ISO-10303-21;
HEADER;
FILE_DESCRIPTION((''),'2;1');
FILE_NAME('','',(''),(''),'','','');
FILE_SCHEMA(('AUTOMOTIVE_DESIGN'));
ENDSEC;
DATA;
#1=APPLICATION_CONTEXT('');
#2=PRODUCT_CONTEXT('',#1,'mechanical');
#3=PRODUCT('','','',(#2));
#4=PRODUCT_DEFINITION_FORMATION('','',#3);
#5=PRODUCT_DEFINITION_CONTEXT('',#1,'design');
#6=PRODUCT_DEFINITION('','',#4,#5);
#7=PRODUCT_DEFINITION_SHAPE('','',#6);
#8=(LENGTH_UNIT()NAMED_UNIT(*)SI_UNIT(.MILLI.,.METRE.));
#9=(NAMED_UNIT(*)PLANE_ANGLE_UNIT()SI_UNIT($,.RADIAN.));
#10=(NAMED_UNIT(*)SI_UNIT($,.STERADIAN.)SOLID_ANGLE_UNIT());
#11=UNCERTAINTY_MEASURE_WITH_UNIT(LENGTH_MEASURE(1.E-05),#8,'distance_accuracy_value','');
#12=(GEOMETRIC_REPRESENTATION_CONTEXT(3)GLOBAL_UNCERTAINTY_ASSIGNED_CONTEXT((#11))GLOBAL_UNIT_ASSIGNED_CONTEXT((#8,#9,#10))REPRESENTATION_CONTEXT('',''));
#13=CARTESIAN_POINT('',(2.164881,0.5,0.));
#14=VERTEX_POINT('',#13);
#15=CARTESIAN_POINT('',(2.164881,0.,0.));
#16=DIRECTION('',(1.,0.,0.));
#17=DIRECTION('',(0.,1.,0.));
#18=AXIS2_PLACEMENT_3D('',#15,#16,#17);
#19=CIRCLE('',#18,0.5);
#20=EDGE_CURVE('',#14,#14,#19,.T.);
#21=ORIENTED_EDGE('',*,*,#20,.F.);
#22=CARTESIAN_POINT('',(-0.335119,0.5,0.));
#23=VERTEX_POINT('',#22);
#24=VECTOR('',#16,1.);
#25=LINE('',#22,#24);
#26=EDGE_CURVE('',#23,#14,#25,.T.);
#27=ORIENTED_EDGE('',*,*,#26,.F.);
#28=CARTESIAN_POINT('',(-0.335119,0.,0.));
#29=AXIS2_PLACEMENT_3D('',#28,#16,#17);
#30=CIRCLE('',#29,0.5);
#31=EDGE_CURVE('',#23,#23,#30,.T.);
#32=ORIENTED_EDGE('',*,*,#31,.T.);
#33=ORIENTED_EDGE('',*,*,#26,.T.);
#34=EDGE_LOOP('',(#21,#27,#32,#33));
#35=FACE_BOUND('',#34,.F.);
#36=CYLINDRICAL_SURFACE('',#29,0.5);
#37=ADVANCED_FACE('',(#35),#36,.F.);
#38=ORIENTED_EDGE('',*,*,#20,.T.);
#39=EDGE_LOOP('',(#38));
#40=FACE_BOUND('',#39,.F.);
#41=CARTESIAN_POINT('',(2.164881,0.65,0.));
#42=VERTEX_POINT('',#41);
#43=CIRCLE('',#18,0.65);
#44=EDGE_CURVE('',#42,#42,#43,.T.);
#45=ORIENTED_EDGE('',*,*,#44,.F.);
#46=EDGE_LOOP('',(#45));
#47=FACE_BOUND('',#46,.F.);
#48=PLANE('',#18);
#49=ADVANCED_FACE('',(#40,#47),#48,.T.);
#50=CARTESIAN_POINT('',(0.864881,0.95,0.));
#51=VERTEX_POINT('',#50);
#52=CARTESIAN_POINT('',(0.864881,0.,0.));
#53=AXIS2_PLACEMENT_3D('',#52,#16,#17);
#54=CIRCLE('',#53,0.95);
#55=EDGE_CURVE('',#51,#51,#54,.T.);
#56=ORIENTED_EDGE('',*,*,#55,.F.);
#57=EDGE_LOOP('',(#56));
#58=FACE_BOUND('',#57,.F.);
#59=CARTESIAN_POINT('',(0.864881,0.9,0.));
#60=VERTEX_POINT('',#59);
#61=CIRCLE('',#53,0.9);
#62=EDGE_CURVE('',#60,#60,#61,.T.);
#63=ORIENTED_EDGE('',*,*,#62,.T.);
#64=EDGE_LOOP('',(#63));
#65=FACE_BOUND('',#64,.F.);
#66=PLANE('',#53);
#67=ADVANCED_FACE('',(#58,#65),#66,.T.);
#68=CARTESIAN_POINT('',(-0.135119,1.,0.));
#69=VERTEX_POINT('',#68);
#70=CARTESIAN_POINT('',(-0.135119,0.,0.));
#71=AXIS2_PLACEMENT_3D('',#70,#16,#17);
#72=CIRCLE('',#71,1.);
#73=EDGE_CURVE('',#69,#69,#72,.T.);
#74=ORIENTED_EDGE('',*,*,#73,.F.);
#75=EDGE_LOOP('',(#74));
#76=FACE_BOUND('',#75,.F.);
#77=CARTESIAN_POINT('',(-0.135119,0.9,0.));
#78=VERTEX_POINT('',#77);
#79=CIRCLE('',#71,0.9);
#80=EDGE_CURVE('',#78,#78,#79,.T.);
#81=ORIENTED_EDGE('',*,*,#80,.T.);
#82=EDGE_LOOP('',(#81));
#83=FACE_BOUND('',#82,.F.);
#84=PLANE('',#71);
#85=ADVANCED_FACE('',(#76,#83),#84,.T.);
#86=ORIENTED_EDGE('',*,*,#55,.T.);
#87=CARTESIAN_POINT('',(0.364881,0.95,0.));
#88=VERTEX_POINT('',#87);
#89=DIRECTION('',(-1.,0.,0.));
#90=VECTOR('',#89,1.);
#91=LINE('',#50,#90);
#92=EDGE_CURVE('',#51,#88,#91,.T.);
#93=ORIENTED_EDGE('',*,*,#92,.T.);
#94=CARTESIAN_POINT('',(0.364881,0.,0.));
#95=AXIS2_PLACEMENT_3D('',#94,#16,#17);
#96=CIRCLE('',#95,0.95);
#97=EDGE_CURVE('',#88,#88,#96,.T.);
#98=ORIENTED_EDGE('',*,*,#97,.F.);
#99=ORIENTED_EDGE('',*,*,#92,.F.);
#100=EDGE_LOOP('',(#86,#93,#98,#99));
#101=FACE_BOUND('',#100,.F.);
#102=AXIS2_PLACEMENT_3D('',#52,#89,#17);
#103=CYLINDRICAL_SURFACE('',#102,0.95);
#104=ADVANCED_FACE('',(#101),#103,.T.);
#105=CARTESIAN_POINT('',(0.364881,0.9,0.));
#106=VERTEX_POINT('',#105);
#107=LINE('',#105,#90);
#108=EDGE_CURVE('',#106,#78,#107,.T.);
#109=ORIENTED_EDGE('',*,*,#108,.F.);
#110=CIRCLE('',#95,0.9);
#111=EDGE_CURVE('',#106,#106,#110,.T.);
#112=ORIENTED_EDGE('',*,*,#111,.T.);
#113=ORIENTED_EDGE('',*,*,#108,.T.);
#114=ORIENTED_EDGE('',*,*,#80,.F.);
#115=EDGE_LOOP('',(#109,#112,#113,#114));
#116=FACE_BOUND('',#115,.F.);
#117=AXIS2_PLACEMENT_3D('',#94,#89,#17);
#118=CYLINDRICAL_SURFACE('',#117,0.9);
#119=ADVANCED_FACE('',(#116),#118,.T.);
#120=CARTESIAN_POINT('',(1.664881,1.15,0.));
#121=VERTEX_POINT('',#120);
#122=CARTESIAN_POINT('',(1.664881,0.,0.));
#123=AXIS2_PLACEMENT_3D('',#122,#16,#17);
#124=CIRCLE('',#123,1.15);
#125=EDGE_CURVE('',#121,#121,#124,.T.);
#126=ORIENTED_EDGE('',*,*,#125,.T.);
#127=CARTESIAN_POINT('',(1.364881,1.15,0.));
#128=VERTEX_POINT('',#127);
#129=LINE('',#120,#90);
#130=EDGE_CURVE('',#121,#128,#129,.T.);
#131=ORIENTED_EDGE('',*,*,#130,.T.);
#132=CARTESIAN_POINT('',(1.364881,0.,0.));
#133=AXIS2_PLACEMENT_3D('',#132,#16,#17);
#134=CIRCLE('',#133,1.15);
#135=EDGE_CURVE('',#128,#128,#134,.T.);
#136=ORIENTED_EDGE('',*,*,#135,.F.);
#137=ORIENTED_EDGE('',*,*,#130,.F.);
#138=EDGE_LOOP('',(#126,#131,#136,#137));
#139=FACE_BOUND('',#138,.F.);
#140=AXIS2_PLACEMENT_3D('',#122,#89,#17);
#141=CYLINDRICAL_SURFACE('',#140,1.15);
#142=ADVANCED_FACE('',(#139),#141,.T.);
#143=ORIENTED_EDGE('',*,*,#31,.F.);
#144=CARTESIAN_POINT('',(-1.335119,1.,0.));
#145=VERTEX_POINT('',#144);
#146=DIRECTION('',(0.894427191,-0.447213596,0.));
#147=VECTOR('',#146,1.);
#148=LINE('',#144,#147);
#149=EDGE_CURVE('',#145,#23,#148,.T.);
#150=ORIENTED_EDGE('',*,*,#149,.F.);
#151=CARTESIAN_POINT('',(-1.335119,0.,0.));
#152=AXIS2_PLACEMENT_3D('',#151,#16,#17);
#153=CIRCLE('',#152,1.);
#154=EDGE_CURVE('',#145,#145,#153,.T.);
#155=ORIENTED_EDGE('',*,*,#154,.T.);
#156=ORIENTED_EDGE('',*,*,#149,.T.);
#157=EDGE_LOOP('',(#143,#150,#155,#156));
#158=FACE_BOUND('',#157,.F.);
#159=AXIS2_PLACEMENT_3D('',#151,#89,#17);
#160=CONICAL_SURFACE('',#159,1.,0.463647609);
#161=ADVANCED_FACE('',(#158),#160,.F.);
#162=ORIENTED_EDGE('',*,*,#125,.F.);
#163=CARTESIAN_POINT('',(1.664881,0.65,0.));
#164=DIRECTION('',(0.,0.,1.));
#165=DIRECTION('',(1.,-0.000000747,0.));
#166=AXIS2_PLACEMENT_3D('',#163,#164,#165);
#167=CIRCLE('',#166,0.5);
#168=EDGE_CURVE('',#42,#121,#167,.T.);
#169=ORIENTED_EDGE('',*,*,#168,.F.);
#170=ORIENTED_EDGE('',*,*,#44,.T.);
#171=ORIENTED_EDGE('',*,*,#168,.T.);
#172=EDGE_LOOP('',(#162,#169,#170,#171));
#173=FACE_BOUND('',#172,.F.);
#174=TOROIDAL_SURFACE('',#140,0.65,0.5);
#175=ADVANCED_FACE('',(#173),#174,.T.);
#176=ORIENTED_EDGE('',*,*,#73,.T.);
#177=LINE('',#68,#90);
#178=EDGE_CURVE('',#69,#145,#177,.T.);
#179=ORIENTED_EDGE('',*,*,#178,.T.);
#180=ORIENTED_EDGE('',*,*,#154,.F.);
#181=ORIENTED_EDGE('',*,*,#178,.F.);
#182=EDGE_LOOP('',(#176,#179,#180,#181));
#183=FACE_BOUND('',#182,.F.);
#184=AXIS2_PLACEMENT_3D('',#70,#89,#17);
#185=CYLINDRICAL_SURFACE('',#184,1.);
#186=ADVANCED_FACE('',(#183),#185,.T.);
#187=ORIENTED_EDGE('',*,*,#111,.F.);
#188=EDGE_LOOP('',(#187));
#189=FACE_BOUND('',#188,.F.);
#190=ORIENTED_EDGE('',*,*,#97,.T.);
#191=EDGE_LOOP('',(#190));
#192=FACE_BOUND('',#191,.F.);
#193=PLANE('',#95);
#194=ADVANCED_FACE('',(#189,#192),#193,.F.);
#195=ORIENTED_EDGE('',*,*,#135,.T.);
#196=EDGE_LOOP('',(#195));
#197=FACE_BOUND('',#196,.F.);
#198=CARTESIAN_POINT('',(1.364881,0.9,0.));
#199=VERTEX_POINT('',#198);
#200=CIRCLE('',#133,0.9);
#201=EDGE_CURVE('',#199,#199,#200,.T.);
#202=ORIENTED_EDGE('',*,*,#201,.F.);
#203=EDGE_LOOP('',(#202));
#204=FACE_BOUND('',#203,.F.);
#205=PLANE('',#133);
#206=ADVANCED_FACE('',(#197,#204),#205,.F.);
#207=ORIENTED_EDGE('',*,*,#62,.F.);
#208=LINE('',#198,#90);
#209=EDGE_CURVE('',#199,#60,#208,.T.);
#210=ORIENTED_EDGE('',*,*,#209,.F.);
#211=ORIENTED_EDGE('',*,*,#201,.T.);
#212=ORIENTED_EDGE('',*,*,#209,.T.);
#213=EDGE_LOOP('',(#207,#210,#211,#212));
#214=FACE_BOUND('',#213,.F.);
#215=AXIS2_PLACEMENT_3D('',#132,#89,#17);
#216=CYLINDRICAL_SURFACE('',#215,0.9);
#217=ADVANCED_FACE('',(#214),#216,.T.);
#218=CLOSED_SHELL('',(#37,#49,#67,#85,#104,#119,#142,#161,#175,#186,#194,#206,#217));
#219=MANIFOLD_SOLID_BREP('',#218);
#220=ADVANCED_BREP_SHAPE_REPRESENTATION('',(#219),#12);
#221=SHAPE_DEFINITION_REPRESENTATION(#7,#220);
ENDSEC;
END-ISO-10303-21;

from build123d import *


with BuildPart() as f1:
    # F0 (on Top) → F1 (revolve)
    with BuildSketch(Plane.XY):
        with BuildLine():
            Line((-0.135119, 1), (-1.335119, 1))
            Line((-1.335119, 1), (-0.335119, 0.5))
            Line((-0.335119, 0.5), (2.164881, 0.5))
            Line((2.164881, 0.5), (2.164881, 0.65))
            ThreePointArc((2.164881, 0.65), (2.018435, 1.003553), (1.664881, 1.15))
            Line((1.664881, 1.15), (1.364881, 1.15))
            Line((1.364881, 1.15), (1.364881, 0.9))
            Line((1.364881, 0.9), (0.864881, 0.9))
            Line((0.864881, 0.9), (0.864881, 0.95))
            Line((0.864881, 0.95), (0.364881, 0.95))
            Line((0.364881, 0.95), (0.364881, 0.9))
            Line((0.364881, 0.9), (-0.135119, 0.9))
            Line((-0.135119, 0.9), (-0.135119, 1))
        make_face()
    revolve(axis=Axis((0.115357, 0, 0), (1, 0, 0)))


solid = f1.part
